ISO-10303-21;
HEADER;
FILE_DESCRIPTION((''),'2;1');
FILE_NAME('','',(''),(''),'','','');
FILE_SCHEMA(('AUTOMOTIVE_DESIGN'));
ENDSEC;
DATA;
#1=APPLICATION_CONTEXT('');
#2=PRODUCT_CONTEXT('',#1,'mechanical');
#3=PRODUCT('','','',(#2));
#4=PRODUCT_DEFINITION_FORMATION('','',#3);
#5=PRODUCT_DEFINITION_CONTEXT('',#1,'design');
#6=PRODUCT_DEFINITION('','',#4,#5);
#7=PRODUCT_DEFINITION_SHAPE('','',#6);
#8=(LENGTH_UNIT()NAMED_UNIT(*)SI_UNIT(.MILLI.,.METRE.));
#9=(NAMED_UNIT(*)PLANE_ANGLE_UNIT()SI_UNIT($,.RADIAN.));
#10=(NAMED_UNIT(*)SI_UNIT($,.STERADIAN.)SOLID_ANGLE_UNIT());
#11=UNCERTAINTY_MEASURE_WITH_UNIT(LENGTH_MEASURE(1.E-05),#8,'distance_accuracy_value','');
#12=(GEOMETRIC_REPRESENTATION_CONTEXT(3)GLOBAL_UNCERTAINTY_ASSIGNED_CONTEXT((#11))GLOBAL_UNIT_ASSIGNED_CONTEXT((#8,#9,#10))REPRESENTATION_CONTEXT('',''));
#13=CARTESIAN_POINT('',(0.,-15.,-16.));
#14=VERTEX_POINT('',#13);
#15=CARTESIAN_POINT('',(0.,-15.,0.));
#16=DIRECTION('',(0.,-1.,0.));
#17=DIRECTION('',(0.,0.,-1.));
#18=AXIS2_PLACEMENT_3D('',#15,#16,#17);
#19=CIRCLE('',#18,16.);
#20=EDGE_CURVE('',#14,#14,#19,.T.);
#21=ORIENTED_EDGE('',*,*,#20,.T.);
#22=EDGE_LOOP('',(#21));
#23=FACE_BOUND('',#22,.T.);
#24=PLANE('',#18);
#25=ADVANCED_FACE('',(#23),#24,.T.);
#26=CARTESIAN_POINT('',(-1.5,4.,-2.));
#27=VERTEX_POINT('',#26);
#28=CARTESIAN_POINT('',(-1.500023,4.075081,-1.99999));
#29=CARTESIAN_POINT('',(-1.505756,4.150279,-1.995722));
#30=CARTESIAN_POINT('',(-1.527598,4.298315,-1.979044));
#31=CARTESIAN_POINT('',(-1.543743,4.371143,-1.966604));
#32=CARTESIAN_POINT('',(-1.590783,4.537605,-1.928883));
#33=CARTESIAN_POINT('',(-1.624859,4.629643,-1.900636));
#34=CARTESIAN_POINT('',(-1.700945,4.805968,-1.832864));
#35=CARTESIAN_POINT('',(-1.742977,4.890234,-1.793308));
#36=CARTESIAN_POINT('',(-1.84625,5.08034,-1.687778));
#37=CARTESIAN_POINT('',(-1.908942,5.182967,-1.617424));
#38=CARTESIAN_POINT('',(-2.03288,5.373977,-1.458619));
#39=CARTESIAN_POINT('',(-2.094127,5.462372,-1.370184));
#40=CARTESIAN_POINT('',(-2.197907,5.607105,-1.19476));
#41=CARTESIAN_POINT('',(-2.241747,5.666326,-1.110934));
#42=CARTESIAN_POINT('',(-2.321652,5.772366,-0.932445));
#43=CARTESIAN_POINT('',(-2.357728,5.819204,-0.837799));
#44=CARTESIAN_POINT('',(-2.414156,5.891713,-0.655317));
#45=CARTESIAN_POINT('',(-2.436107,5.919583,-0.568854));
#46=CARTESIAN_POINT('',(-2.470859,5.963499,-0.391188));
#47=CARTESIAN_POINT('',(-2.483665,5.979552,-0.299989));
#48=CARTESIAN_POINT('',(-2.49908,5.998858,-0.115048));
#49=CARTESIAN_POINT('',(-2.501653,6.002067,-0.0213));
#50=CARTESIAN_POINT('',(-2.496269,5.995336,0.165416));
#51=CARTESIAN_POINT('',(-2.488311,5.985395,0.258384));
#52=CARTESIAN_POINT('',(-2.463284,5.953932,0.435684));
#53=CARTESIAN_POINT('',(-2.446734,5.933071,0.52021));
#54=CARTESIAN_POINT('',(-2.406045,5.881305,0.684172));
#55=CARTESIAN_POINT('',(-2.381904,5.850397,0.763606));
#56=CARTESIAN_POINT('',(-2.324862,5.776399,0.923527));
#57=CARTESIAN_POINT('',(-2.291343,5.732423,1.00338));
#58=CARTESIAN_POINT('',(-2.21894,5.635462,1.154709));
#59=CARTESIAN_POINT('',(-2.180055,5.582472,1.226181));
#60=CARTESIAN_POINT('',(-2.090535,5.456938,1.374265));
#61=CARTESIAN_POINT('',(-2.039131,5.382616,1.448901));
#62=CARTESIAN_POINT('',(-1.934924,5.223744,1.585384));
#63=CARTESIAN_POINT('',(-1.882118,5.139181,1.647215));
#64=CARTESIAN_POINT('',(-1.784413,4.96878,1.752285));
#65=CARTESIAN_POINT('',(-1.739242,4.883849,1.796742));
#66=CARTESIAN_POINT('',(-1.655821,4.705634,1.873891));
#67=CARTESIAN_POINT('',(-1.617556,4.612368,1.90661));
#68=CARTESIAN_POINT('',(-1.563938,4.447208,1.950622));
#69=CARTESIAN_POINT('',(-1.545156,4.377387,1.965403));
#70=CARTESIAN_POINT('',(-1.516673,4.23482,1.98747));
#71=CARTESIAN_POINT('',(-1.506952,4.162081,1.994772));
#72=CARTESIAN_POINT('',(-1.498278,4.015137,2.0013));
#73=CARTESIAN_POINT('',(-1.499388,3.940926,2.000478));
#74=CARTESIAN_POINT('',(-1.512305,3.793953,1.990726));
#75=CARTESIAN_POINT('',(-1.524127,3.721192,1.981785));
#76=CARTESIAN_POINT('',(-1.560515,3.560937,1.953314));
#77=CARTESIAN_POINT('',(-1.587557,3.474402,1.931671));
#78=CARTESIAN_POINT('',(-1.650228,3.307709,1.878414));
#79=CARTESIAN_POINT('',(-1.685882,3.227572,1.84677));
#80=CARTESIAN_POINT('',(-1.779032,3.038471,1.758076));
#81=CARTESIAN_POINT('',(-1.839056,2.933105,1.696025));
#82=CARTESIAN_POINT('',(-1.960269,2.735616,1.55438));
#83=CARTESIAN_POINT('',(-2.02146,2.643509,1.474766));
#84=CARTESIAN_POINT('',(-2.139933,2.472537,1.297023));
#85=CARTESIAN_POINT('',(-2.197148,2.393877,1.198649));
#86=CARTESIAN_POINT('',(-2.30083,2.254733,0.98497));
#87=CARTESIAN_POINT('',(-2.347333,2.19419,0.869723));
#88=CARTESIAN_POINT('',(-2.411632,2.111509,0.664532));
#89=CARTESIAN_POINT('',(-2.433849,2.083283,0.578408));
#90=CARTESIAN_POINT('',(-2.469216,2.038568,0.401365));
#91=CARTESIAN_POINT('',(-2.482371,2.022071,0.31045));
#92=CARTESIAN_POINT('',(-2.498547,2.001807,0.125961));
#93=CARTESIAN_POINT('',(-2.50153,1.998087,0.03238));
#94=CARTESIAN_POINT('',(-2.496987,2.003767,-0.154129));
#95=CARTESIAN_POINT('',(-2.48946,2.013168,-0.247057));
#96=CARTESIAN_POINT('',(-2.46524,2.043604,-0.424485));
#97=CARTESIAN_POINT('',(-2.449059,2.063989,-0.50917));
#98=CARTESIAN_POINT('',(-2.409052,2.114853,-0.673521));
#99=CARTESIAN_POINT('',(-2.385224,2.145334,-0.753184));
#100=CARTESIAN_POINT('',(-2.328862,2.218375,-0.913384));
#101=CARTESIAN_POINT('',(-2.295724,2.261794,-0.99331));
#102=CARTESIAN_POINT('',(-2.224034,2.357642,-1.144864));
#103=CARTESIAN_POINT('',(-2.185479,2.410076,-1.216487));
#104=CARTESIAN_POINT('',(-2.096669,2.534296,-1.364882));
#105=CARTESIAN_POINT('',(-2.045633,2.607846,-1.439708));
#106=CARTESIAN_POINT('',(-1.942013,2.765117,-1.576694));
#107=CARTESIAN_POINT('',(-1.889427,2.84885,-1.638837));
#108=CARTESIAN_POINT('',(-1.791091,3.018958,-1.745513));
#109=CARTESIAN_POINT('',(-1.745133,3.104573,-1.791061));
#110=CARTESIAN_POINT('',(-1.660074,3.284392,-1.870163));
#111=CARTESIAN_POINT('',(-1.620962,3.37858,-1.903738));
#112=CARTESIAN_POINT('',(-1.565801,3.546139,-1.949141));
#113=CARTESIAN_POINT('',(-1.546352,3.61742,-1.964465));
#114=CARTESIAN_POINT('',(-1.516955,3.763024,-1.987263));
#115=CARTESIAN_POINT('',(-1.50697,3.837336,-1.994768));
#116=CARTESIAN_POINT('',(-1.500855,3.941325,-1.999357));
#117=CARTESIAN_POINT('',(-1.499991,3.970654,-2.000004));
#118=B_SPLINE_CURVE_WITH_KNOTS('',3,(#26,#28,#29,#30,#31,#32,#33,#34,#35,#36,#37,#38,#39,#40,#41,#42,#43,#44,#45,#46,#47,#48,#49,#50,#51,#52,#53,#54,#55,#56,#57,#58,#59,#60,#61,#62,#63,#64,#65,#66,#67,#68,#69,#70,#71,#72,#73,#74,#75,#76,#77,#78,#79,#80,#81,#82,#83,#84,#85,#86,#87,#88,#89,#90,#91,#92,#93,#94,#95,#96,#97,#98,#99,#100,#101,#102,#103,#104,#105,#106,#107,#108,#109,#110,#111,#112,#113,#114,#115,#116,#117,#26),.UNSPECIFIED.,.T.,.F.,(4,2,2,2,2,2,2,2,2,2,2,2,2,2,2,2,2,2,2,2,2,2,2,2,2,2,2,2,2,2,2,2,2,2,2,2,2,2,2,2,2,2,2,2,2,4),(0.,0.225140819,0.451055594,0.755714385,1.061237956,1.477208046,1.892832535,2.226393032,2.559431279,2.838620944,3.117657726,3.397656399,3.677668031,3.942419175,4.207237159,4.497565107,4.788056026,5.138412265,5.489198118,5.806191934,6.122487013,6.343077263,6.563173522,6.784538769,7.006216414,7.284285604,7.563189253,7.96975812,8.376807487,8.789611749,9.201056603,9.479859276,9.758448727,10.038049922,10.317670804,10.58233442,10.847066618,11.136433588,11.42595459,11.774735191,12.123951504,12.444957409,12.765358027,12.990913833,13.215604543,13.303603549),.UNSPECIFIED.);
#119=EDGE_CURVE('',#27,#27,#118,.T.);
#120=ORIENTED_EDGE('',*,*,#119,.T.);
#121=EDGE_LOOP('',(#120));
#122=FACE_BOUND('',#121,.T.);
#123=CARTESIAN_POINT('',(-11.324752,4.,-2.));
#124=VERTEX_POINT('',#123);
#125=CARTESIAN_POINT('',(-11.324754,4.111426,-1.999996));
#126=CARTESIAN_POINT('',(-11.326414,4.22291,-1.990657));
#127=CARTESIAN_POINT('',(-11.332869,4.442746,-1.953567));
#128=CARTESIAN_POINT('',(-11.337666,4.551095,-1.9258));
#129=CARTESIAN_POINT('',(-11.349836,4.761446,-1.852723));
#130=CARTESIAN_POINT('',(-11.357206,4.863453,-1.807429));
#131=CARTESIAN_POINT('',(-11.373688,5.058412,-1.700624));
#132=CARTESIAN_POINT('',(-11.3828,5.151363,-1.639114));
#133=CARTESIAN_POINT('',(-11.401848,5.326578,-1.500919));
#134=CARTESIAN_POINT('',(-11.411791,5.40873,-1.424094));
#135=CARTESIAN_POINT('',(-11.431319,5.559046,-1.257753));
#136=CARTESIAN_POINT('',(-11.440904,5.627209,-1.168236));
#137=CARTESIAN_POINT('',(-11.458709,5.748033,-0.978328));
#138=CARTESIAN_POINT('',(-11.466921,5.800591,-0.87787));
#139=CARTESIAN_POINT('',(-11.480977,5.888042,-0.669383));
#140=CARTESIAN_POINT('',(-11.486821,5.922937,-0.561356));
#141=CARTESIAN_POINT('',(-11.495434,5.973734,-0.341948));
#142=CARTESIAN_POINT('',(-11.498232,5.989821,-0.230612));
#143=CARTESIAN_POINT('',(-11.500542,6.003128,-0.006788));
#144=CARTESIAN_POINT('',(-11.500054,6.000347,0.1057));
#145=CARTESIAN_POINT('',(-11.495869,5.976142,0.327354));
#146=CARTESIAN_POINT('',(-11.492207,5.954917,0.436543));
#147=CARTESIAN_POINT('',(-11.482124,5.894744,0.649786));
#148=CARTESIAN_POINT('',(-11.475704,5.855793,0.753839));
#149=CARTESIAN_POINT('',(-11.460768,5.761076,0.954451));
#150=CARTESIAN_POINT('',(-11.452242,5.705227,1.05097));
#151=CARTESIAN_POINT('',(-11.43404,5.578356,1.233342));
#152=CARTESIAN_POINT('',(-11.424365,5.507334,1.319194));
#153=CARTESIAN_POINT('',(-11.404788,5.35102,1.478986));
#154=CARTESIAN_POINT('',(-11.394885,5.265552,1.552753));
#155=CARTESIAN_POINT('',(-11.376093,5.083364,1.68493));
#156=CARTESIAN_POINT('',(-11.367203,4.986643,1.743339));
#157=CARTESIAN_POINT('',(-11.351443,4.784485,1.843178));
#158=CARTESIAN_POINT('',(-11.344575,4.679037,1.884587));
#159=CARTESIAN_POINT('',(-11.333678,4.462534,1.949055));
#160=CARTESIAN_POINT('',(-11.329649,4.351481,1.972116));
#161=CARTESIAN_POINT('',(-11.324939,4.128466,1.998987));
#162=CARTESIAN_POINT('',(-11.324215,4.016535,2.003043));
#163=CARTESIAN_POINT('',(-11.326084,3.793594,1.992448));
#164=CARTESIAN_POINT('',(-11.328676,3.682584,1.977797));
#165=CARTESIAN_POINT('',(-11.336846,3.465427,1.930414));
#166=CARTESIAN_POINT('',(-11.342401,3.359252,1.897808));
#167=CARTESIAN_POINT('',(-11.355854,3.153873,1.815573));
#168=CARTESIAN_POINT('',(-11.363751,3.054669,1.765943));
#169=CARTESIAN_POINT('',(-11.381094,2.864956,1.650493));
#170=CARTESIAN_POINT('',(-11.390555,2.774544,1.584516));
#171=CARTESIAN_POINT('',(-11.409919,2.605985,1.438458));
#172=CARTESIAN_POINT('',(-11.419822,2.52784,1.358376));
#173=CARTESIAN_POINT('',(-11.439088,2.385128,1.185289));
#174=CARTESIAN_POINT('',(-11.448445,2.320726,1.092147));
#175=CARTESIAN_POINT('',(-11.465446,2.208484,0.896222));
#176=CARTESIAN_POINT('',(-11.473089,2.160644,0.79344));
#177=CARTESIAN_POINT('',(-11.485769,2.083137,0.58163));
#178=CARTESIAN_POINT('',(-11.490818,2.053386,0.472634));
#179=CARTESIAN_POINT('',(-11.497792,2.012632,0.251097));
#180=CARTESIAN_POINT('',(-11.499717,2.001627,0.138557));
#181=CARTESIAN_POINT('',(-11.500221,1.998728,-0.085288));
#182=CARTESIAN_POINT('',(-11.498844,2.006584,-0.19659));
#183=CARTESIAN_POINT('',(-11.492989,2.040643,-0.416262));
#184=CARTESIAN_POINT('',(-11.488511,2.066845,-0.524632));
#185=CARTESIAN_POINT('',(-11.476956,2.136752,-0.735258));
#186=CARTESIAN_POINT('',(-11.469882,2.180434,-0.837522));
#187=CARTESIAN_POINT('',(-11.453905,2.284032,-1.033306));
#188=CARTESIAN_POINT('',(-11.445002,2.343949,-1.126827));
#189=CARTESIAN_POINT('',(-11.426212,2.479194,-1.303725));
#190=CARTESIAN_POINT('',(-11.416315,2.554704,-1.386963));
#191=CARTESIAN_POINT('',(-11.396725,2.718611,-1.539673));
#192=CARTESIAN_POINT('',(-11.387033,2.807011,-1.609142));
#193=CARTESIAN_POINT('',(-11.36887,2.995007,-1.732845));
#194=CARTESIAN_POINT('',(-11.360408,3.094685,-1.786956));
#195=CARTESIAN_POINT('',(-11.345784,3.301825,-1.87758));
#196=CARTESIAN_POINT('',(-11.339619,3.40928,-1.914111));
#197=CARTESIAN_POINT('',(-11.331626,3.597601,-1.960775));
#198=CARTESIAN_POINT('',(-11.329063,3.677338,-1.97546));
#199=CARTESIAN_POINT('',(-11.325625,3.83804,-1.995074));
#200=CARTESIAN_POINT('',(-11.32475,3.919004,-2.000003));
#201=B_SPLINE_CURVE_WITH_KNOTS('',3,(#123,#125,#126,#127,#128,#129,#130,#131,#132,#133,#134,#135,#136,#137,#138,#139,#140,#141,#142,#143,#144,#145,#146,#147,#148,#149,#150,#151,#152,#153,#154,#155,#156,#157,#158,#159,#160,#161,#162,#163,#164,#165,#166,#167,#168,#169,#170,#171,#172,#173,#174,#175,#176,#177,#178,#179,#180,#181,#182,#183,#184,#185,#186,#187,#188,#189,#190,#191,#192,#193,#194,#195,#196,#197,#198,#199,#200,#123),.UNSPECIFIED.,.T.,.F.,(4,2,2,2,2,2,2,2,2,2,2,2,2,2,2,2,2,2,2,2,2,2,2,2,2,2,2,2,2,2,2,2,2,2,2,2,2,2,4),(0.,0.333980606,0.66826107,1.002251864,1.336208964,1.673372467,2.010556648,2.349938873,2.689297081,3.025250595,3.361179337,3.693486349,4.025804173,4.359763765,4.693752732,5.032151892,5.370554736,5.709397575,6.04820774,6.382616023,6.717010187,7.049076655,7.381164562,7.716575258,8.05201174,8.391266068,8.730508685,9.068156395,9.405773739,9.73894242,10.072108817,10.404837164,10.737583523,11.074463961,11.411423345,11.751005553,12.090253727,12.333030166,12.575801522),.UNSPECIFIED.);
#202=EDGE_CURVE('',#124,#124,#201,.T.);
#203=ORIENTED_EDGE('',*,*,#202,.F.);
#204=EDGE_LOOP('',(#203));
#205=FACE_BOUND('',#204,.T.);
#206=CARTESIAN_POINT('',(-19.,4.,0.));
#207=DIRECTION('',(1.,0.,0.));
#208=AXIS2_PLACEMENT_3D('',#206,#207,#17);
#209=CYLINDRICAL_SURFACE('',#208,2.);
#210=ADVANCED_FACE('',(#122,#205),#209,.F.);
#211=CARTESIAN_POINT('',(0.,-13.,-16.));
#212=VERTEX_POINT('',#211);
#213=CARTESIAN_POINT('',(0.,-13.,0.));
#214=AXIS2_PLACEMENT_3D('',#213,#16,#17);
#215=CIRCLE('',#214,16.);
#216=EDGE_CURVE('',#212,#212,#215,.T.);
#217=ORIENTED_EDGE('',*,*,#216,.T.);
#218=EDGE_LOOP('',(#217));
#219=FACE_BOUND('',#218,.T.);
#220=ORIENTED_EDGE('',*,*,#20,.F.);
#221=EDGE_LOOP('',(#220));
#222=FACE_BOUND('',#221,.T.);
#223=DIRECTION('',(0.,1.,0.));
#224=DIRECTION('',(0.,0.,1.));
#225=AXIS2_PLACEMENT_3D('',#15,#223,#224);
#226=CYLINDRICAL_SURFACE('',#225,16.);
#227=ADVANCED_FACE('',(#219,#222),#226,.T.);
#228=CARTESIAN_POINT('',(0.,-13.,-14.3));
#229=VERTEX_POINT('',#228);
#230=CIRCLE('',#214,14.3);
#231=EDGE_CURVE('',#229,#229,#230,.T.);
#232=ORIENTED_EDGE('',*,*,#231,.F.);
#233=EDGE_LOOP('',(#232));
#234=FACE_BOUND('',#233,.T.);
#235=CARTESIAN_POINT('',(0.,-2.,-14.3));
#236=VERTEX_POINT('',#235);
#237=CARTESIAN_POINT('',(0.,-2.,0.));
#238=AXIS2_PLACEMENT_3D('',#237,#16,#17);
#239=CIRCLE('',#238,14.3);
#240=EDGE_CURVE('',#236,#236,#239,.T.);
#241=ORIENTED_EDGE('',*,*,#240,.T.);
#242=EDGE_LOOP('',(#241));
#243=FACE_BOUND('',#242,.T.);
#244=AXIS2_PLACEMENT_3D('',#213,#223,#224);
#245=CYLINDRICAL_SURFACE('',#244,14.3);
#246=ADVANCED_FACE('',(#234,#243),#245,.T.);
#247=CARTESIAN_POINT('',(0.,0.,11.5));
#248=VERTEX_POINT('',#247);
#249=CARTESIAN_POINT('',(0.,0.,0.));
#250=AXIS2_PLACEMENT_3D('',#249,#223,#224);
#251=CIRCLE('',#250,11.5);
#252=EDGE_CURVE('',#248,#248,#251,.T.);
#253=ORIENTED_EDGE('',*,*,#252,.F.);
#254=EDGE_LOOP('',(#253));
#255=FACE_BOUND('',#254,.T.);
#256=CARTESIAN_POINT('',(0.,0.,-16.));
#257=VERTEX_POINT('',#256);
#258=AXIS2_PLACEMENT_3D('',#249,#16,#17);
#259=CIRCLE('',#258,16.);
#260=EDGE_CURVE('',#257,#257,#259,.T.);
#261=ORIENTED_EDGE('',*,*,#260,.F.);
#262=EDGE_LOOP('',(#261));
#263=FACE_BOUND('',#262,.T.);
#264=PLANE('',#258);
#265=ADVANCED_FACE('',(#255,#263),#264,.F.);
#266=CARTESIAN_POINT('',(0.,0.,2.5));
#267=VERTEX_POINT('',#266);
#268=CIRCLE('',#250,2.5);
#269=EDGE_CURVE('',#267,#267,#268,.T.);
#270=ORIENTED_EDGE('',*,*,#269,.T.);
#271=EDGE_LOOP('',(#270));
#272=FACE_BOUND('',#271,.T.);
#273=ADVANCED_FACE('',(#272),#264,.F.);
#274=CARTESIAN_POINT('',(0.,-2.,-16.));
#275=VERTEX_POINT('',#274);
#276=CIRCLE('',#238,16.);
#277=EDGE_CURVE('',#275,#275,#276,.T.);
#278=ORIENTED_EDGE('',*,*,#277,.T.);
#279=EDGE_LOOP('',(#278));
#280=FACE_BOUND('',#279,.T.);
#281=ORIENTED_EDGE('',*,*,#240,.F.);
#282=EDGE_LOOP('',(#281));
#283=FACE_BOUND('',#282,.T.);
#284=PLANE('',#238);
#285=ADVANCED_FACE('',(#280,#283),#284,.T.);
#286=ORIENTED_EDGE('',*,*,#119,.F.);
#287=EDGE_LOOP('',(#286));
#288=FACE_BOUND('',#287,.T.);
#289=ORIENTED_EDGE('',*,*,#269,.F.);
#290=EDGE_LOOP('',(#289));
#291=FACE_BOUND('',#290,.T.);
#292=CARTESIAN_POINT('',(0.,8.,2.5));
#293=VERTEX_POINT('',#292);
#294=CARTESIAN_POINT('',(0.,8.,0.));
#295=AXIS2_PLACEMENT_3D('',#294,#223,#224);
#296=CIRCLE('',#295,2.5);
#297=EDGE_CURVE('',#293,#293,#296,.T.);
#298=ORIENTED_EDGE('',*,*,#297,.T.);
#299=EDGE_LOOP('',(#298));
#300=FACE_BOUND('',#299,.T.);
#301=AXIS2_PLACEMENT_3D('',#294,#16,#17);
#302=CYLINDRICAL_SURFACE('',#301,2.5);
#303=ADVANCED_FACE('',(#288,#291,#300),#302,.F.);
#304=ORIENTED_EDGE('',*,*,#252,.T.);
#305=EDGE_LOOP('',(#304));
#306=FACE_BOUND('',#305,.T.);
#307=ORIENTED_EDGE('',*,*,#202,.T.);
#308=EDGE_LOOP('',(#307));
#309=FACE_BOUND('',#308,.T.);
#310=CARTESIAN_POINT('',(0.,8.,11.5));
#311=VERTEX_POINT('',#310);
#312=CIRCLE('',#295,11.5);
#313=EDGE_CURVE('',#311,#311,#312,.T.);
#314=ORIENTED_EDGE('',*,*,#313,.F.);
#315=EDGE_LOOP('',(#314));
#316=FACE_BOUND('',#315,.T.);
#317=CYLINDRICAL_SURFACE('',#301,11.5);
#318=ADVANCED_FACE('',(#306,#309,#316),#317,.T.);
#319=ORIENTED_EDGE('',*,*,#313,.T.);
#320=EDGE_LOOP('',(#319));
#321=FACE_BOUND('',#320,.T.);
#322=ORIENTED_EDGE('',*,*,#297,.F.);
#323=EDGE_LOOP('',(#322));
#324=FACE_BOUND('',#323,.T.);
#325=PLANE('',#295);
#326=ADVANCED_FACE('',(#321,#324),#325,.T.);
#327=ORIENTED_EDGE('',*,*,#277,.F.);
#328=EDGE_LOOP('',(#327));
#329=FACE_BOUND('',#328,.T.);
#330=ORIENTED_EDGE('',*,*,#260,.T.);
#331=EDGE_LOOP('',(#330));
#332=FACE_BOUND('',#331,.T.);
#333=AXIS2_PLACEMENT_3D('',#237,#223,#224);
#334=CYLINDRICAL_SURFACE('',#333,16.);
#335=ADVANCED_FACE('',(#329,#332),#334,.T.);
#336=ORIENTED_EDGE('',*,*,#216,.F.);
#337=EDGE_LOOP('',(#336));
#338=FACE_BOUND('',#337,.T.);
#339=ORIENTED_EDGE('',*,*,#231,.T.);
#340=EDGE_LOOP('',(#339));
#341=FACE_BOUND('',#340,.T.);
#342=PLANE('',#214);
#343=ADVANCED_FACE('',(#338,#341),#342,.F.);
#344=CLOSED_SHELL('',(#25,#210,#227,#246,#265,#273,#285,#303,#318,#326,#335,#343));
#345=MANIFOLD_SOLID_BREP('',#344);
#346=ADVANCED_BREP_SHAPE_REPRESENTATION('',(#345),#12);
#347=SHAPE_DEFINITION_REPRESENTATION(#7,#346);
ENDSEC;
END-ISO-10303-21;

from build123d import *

# Parameters (mm, degrees)
SKETCH_1_R          = 11.5
SKETCH_1_R_2        = 2.5
EXTRUDE_1_DEPTH     = 8
SKETCH_2_R          = 16
EXTRUDE_2_DEPTH     = 2
SKETCH_3_R          = 14.3
EXTRUDE_3_DEPTH     = 11
SKETCH_4_R          = 16
EXTRUDE_4_DEPTH     = 2
SKETCH_5_R          = 2
CUT_EXTRUDE_1_DEPTH = 19


with BuildPart() as part:
    # 草图1 → 凸台-拉伸1 (new body)
    with BuildSketch(Plane(origin=(0, 0, 0), x_dir=(1, 0, 0), z_dir=(0, 1, 0))):
        with Locations(Location((0, 0, 0), (0, 0, 270))):
            Circle(SKETCH_1_R)
        with Locations(Location((0, 0, 0), (0, 0, 270))):
            Circle(SKETCH_1_R_2, mode=Mode.SUBTRACT)
    extrude(amount=EXTRUDE_1_DEPTH)

    # 草图2 → 凸台-拉伸2 (add)
    with BuildSketch(Plane.XZ):
        with Locations(Location((0, 0, 0), (0, 0, 270))):
            Circle(SKETCH_2_R)
    extrude(amount=EXTRUDE_2_DEPTH)

    # 草图3 → 凸台-拉伸3 (add)
    with BuildSketch(Plane.XZ.offset(2)):
        with Locations(Location((0, 0, 0), (0, 0, 270))):
            Circle(SKETCH_3_R)
    extrude(amount=EXTRUDE_3_DEPTH)

    # 草图4 → 凸台-拉伸4 (add)
    with BuildSketch(Plane.XZ.offset(13)):
        with Locations(Location((0, 0, 0), (0, 0, 270))):
            Circle(SKETCH_4_R)
    extrude(amount=EXTRUDE_4_DEPTH)

    # 草图5 → 切除-拉伸1 (cut)
    with BuildSketch(Plane(origin=(0, 0, 0), x_dir=(0, 0, -1), z_dir=(1, 0, 0))):
        with Locations((0, 4)):
            Circle(SKETCH_5_R)
    extrude(amount=-CUT_EXTRUDE_1_DEPTH, mode=Mode.SUBTRACT)


solid = part.part
